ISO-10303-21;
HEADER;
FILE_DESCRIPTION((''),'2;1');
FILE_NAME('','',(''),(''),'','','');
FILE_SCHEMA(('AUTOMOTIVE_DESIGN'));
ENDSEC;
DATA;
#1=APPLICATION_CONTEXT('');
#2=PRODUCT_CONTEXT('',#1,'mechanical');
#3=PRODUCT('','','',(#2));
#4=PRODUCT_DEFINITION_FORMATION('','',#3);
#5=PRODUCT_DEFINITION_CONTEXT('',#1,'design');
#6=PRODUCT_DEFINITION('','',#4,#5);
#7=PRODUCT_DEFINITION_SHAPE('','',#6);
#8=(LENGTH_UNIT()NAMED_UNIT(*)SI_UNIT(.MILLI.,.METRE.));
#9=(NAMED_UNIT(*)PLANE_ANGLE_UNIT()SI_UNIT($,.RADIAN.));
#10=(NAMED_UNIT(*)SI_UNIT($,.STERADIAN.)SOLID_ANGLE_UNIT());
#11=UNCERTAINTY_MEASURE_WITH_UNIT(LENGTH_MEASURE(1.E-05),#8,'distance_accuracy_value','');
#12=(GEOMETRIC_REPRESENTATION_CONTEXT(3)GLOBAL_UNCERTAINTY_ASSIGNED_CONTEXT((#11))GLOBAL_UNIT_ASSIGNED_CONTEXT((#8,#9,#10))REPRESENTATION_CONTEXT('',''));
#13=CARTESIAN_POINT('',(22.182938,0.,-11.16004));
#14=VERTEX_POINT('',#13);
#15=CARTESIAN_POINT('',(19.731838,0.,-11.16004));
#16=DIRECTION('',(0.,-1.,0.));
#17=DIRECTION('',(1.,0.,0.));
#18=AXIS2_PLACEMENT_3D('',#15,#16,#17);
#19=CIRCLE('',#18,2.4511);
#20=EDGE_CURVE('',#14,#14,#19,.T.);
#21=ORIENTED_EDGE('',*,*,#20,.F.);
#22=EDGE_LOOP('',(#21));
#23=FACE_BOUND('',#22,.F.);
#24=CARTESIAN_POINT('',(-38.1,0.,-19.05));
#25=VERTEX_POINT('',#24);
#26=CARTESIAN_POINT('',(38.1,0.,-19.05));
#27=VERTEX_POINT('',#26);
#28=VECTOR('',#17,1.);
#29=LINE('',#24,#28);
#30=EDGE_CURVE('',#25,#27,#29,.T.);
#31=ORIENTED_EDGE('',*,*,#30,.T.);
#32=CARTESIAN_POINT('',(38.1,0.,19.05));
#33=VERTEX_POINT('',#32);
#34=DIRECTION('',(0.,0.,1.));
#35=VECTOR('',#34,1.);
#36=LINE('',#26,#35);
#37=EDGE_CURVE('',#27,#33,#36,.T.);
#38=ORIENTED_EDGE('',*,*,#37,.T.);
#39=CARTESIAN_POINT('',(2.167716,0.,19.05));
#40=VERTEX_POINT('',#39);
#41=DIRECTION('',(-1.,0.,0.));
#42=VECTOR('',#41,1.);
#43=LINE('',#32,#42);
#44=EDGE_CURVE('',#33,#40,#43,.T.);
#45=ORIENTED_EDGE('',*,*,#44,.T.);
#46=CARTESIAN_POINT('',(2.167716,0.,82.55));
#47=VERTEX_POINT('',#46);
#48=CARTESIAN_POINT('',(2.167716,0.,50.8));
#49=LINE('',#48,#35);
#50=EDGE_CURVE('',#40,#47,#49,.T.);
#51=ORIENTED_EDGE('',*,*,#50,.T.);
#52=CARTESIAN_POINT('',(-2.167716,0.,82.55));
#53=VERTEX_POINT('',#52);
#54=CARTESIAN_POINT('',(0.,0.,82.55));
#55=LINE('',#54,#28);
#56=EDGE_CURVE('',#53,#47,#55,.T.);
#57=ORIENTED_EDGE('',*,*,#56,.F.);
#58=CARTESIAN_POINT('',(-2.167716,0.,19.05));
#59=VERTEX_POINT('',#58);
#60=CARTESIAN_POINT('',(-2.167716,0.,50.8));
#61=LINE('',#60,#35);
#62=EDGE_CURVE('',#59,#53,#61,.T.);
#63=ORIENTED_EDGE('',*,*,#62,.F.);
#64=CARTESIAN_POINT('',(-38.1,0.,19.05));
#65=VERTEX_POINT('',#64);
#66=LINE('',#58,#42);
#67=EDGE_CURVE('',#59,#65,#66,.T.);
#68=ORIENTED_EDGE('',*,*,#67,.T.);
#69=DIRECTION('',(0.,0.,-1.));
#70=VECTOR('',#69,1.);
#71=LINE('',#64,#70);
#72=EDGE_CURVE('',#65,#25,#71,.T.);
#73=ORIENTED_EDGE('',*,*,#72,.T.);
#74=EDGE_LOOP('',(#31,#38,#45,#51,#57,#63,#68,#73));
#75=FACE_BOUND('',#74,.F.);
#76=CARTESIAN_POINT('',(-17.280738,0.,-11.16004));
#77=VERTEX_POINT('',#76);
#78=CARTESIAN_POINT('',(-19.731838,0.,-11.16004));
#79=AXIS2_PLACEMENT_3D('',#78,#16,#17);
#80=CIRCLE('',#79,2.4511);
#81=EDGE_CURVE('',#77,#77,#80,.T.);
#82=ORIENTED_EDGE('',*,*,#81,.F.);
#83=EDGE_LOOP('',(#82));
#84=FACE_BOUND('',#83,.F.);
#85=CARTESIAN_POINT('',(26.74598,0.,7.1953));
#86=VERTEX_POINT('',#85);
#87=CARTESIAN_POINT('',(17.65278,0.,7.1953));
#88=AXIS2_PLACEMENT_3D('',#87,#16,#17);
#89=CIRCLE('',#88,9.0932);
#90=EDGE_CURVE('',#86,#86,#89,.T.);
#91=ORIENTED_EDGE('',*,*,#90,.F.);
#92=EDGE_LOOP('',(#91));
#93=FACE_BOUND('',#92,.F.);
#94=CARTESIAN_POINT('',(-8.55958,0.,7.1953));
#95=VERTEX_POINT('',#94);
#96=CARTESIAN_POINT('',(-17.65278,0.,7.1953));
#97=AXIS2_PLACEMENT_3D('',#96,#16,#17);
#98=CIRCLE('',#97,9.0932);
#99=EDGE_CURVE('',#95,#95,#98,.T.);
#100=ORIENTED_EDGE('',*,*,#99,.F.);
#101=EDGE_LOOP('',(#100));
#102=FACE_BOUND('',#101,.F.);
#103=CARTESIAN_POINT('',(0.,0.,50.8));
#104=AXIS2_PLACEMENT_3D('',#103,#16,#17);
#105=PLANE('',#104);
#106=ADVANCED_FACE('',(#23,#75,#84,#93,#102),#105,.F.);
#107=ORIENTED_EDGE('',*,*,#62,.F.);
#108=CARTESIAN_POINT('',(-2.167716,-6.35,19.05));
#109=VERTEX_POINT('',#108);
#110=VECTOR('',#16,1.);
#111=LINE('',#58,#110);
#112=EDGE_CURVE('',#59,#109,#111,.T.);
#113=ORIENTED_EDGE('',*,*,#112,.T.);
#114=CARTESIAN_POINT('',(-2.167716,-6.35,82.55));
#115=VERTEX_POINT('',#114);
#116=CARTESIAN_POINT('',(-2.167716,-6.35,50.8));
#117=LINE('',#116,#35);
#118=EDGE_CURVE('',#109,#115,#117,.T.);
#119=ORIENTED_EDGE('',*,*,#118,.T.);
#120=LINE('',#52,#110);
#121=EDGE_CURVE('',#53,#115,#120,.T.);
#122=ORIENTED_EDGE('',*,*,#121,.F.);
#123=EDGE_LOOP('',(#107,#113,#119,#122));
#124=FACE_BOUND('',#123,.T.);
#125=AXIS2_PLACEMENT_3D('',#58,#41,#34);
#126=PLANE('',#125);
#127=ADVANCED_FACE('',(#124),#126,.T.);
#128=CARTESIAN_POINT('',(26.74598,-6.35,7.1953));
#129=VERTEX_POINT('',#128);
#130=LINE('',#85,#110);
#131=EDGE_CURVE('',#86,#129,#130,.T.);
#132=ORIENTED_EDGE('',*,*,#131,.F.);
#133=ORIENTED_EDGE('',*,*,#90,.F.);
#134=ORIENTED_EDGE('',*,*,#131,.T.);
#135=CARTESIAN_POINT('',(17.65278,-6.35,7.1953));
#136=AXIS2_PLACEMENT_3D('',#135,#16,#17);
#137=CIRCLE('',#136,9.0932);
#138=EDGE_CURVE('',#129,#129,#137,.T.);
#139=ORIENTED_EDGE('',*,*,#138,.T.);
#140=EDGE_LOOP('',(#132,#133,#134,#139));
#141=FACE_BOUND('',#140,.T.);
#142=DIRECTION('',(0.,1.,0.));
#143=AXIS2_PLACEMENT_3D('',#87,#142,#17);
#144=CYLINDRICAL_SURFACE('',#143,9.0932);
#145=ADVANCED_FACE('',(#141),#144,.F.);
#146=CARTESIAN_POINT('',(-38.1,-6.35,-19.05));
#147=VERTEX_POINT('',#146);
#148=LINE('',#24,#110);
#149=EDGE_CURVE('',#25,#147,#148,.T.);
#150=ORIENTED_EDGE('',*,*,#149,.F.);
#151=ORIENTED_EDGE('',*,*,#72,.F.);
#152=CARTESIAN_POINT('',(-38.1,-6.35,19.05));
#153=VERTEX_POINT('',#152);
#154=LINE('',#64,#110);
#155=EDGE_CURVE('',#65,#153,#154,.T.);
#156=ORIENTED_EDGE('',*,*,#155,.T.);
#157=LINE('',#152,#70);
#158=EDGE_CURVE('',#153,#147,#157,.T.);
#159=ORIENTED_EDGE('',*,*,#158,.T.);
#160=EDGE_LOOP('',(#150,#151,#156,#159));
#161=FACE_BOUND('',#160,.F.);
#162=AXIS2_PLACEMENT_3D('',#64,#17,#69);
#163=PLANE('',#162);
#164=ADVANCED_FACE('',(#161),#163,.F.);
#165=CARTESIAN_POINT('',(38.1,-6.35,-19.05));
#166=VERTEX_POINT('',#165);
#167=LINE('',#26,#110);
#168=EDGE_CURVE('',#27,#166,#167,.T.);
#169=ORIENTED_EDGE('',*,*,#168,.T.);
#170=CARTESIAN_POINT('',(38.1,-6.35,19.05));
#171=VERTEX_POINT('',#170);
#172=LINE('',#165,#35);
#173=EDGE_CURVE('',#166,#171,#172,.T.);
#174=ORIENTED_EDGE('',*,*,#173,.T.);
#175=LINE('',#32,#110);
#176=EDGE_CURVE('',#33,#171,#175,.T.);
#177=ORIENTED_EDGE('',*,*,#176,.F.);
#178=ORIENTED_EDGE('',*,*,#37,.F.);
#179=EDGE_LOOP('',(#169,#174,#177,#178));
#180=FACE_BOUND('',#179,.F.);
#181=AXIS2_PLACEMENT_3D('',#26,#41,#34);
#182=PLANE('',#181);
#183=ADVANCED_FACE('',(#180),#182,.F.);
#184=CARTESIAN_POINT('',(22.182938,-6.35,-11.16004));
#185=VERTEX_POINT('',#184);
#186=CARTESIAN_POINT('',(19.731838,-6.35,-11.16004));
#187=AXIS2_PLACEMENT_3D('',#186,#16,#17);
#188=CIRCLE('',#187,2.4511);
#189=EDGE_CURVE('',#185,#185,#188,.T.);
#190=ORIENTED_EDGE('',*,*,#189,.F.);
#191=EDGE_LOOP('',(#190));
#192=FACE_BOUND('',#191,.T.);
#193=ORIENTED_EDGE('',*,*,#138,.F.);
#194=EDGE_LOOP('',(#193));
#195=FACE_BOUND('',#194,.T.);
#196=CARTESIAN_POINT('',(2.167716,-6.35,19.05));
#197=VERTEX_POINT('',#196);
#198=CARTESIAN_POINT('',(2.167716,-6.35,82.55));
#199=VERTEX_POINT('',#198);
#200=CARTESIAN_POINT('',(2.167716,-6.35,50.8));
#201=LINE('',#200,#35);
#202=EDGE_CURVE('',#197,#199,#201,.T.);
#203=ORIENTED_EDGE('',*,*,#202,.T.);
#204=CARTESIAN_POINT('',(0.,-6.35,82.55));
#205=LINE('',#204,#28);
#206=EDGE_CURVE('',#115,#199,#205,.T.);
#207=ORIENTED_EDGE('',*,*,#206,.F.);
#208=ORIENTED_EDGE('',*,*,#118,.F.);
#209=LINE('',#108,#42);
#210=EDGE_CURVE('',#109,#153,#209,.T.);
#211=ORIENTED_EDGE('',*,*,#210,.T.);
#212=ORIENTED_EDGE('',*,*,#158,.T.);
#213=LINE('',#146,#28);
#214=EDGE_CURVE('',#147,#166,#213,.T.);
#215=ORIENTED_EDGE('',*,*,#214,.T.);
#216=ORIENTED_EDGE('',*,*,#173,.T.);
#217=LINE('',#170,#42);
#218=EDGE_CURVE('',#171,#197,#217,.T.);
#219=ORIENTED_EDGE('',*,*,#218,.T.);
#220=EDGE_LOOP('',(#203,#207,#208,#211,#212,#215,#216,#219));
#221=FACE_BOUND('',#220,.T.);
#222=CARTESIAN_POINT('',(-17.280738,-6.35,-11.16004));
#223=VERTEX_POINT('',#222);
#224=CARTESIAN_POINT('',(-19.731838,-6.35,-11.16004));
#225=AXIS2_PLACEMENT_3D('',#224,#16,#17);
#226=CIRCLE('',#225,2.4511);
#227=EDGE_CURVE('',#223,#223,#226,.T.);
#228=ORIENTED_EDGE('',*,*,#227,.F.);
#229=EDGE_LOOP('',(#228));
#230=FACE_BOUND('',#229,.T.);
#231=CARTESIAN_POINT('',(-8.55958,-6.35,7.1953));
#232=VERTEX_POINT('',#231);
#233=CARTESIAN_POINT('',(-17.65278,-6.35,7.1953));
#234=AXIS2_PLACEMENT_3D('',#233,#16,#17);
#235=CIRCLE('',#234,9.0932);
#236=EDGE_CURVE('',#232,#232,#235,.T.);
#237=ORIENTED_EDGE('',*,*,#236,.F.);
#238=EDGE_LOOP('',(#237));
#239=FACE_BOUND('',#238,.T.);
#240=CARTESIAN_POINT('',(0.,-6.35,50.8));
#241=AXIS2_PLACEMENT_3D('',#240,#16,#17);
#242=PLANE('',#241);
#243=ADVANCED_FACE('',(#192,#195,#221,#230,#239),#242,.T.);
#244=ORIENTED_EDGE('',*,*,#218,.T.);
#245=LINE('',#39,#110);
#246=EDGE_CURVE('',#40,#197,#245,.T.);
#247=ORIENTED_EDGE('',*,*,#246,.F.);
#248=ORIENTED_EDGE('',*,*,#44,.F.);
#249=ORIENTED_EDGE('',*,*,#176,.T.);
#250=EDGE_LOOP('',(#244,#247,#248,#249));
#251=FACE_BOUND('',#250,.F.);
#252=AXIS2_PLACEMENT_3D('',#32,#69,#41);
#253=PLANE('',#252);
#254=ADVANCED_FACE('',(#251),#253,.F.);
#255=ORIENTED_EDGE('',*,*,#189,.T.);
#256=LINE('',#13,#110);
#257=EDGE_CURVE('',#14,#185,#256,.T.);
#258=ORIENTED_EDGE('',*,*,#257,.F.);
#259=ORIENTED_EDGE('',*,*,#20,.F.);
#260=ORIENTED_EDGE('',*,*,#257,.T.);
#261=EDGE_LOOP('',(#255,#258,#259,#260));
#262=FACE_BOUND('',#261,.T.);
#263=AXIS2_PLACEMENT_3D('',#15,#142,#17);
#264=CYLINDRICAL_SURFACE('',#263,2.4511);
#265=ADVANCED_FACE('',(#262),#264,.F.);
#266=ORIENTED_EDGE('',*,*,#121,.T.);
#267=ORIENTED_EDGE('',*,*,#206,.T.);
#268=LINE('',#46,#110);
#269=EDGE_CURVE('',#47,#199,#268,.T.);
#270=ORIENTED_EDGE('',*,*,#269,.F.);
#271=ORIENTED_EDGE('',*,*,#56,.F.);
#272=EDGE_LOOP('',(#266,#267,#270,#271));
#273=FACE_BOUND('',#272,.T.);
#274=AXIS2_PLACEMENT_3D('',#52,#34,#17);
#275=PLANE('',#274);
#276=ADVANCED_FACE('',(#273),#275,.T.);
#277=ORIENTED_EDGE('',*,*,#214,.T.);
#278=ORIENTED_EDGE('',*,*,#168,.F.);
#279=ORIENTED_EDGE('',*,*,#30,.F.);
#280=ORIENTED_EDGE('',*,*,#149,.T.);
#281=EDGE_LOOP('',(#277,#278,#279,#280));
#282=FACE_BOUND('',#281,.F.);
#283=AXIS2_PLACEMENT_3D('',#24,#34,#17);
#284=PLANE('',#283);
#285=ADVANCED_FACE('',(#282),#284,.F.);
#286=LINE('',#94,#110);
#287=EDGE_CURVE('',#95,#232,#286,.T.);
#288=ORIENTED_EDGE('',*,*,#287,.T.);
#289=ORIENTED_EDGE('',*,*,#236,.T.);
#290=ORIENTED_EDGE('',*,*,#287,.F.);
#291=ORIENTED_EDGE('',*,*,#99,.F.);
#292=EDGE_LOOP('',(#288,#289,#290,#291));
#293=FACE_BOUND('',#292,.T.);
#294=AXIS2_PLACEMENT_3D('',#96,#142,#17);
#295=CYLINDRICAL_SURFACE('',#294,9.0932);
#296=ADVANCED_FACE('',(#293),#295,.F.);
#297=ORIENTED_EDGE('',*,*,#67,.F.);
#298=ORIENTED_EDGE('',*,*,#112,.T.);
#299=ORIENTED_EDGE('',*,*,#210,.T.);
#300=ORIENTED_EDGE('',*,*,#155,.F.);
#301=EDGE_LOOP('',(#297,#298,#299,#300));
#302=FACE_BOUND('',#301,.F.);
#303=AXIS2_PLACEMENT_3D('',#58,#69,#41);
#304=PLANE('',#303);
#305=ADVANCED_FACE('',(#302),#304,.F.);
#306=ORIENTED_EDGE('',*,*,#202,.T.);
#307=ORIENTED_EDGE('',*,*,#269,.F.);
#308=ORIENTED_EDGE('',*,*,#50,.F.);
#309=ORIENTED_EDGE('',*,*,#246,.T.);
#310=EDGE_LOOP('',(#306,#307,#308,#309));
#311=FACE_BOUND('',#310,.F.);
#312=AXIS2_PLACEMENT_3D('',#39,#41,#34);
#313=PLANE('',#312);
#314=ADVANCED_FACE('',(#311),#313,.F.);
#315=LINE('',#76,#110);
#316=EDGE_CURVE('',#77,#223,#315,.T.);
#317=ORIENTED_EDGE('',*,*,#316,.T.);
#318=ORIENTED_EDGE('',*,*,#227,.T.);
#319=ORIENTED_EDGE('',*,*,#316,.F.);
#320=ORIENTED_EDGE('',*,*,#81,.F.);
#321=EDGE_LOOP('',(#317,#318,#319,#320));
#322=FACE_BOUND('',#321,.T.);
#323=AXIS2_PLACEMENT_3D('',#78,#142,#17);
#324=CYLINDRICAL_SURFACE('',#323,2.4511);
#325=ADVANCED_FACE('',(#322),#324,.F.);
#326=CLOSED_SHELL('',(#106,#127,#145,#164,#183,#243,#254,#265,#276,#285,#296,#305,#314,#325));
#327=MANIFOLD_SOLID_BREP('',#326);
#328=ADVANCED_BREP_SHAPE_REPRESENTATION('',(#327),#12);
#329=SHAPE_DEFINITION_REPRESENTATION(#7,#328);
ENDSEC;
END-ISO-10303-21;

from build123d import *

# Parameters (mm, degrees)
F0_W     = 4.335432
F0_H     = 63.5
F0_R     = 2.4511
F0_R_2   = 9.0932
F1_DEPTH = 6.35


with BuildPart() as f1:
    # F0 (on Front) → F1 (new body)
    with BuildSketch(Plane.XZ):
        with Locations((0, 50.8)):
            Rectangle(F0_W, F0_H)
        Polygon((-38.1, -19.05), (38.1, -19.05), (38.1, 19.05), (2.167716, 19.05), (-2.167716, 19.05), (-38.1, 19.05), align=None)
        with Locations((-19.731838, -11.16004)):
            Circle(F0_R, mode=Mode.SUBTRACT)
        with Locations((-17.65278, 7.1953)):
            Circle(F0_R_2, mode=Mode.SUBTRACT)
        with Locations((19.731838, -11.16004)):
            Circle(F0_R, mode=Mode.SUBTRACT)
        with Locations((17.65278, 7.1953)):
            Circle(F0_R_2, mode=Mode.SUBTRACT)
    extrude(amount=F1_DEPTH)


solid = f1.part
